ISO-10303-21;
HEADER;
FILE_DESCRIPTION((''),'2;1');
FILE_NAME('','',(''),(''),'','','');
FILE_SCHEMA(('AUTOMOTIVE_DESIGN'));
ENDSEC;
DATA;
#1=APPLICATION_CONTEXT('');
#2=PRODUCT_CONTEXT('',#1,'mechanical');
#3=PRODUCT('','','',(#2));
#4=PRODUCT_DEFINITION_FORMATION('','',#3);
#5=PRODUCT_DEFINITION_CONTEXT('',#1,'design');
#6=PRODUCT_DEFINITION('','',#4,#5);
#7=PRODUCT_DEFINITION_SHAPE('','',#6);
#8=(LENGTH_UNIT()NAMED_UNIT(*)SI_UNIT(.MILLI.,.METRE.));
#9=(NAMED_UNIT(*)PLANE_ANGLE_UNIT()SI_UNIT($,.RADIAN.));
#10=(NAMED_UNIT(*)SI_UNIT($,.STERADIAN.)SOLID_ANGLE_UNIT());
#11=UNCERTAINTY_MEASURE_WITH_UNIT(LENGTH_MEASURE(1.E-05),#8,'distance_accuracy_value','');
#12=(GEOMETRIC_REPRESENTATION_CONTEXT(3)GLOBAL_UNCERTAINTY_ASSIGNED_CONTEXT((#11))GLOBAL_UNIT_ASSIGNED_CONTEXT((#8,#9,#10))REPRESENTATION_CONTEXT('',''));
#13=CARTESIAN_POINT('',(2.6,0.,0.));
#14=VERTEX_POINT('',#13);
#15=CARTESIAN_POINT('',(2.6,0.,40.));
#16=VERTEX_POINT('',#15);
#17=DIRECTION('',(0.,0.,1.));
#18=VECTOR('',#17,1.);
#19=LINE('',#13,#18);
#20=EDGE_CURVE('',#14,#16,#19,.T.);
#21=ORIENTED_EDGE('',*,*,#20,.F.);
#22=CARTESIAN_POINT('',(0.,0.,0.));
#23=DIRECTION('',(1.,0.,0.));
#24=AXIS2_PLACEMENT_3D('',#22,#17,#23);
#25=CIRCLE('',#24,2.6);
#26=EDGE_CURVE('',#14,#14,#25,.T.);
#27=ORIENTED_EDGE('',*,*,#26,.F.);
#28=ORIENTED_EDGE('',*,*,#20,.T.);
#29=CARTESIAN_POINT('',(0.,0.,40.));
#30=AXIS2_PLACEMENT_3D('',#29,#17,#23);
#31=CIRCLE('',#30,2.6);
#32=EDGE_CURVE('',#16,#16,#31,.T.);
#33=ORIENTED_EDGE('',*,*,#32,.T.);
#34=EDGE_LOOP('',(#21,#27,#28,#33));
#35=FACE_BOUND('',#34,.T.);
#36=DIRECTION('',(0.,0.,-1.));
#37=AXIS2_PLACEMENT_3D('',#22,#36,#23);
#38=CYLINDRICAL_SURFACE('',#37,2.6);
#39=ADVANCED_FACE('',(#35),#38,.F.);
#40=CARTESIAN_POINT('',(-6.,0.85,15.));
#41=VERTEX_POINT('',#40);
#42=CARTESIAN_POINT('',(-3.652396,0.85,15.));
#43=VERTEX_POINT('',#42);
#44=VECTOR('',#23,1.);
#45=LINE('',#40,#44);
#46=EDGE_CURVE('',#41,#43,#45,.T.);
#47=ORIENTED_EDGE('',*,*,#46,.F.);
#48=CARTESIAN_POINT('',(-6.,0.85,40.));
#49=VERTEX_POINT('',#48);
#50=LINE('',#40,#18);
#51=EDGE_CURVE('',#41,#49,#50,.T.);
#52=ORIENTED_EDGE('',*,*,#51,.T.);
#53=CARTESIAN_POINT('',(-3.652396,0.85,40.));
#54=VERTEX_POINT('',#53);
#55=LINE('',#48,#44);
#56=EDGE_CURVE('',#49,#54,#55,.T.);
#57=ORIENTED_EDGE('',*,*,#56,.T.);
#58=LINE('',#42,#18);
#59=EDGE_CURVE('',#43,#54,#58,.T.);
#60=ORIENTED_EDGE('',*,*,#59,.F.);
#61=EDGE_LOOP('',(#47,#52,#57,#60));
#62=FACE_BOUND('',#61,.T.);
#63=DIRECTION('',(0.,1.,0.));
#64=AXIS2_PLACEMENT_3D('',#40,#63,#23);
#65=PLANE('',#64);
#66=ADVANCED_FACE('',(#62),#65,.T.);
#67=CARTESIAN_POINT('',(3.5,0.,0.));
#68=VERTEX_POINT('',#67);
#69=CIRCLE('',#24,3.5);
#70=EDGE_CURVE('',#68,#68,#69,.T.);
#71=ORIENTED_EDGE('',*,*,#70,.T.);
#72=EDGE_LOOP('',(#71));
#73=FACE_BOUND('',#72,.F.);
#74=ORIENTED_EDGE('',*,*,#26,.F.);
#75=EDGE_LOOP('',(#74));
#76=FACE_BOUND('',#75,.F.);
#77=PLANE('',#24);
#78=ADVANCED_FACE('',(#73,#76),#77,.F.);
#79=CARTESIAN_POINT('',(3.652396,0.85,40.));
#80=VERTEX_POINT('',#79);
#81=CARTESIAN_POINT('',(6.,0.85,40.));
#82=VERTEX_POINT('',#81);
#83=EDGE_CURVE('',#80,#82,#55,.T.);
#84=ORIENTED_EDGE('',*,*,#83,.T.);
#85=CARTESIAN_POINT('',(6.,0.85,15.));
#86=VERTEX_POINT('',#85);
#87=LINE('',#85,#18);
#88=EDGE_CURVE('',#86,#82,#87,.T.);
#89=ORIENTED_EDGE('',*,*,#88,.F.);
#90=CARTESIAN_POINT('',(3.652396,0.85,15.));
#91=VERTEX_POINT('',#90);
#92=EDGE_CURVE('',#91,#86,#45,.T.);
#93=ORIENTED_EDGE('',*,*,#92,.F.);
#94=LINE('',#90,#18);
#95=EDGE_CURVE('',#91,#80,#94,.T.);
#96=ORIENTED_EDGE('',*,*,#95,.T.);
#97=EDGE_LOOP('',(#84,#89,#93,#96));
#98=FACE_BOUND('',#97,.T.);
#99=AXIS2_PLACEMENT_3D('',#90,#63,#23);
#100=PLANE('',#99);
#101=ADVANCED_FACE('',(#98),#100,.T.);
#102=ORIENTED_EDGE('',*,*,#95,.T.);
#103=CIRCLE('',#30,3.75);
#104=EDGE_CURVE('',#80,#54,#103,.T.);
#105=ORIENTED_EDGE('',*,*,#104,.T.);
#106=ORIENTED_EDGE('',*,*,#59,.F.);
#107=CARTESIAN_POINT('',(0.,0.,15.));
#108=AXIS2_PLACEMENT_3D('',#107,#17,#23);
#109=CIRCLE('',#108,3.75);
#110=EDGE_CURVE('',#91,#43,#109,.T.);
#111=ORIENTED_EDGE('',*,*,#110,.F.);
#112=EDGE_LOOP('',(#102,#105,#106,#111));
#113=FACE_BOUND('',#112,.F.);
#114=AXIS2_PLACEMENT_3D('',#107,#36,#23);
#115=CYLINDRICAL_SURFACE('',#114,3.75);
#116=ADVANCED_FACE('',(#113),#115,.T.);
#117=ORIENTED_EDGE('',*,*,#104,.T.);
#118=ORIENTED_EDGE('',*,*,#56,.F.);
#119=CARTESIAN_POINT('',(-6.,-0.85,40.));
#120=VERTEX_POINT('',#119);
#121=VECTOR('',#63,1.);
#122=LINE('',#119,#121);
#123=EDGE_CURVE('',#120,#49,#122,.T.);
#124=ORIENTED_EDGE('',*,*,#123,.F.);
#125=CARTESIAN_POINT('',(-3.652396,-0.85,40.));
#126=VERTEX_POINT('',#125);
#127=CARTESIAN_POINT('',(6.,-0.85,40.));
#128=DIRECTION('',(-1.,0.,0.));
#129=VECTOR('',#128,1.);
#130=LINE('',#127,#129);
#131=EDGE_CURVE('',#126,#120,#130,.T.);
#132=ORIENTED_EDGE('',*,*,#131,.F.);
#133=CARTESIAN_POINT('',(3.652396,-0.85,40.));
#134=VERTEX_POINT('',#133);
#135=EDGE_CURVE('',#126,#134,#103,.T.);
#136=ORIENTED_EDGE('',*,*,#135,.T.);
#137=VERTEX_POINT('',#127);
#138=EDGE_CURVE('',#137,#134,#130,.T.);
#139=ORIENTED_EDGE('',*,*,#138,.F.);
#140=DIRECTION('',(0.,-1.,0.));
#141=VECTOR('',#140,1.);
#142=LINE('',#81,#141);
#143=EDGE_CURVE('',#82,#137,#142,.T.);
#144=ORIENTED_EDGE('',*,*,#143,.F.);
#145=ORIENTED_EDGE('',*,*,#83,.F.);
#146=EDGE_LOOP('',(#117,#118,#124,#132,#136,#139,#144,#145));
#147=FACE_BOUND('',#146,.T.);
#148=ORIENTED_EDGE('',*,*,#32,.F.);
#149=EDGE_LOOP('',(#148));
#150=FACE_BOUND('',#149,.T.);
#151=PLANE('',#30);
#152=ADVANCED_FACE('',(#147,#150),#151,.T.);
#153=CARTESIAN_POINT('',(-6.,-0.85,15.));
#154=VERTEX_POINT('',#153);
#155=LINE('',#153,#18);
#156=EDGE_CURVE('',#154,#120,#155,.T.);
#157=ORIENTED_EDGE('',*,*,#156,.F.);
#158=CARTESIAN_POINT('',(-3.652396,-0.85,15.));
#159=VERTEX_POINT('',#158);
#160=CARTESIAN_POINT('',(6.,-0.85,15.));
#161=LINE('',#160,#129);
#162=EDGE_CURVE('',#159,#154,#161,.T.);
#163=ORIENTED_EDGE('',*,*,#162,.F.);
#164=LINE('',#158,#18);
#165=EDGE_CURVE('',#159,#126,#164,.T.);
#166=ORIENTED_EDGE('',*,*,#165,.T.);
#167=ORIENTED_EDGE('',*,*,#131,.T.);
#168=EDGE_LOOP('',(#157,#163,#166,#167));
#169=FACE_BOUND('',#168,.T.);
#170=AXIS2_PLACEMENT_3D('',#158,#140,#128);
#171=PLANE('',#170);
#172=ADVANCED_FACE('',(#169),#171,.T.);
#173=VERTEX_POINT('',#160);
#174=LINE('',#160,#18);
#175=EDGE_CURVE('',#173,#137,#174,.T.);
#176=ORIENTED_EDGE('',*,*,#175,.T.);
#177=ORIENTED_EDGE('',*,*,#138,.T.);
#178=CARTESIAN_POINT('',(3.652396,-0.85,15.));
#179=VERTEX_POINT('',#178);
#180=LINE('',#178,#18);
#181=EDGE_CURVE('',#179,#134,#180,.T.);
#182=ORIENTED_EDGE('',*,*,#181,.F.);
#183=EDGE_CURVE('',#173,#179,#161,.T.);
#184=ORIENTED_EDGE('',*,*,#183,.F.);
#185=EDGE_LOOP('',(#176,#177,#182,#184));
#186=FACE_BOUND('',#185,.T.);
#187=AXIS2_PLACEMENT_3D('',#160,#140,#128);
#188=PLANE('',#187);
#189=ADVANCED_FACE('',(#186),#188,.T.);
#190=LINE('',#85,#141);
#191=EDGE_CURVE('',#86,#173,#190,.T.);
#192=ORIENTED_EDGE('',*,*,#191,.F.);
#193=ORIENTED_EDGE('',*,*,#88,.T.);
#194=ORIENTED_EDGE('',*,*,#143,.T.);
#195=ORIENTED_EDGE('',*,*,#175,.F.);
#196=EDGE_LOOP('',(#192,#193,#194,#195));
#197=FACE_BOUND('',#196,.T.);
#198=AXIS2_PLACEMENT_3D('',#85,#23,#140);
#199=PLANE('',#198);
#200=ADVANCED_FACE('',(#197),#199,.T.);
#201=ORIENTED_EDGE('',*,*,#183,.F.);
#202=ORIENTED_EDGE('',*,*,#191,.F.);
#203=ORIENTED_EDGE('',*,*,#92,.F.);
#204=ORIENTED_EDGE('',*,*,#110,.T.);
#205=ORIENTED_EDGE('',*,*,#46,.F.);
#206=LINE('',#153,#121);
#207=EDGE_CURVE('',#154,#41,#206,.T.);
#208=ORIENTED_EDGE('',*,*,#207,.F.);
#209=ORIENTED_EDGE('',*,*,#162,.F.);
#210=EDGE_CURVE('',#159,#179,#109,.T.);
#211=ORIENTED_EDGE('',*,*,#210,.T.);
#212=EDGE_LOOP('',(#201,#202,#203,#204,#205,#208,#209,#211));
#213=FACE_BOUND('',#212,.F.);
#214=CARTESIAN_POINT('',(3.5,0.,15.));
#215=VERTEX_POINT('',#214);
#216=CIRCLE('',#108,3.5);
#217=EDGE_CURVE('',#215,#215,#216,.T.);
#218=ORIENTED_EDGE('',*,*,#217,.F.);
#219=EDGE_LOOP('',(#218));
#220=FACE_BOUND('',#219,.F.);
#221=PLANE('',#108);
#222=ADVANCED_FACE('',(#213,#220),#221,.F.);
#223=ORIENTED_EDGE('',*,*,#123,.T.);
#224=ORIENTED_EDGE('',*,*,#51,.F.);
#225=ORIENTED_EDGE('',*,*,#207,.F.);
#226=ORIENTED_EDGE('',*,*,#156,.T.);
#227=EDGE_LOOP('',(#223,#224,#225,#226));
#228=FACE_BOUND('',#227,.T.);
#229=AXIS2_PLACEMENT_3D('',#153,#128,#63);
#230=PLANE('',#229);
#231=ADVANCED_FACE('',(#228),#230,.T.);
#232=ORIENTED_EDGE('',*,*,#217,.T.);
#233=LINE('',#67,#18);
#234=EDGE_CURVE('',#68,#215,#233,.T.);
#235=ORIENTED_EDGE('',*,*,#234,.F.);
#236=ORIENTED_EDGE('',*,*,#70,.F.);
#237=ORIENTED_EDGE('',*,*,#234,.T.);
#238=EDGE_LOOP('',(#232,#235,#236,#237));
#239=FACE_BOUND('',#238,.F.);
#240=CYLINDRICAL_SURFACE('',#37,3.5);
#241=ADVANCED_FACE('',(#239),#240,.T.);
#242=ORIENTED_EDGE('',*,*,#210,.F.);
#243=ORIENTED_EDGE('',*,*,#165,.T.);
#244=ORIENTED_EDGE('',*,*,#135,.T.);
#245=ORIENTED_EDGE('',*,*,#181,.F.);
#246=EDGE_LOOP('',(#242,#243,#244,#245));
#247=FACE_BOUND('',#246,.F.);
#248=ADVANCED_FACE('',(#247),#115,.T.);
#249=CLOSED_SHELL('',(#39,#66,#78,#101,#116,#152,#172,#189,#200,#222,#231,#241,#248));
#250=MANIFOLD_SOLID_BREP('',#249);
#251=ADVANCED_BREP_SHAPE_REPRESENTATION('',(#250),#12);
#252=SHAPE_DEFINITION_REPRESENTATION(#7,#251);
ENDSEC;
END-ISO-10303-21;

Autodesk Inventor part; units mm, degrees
ref_plane "YZ Plane" through (0, 0, 0) normal (1, 0, 0) x (0, 1, 0)
ref_plane "XZ Plane" through (0, 0, 0) normal (0, 1, 0) x (-1, 0, 0)
ref_plane "XY Plane" through (0, 0, 0) normal (0, 0, 1) x (1, 0, 0)
sketch "Sketch1" plane through (0, 0, 0) normal (0, 0, 1) x (1, 0, 0)
  circle A0 centre (0, 0) radius 2.6
  circle A1 centre (0, 0) radius 3.5
  dimension "d0" = 5.2
  dimension "d1" = 7
extrude "Extrusion1" add sketch "Sketch1" along normal blind 15
sketch "Sketch2" plane through (0, 0, 15) normal (0, 0, 1) x (1, 0, 0)
  circle A0 centre (0, 0) radius 2.6 projected
  circle A1 centre (0, 0) radius 3.75
  line L0 (-6, 0.85) -> (6, 0.85)
  line L1 (6, 0.85) -> (6, -0.85)
  line L2 (6, -0.85) -> (-6, -0.85)
  line L3 (-6, -0.85) -> (-6, 0.85)
  line L4 (-6, 0.85) -> (6, -0.85) construction
  line L5 (6, 0.85) -> (-6, -0.85) construction
  point P0 (-3.6524, 0.85)
  point P1 (-3.6524, -0.85)
  point P2 (3.6524, -0.85)
  point P3 (3.6524, 0.85)
  dimension "d4" = 7.5
  dimension "d5" = 12
  dimension "d6" = 1.7
extrude "Extrusion2" add sketch "Sketch2" along normal blind 25 contours A0 L0 A1 L2 | A0 L0 A1 | L2 A1 A0 | A0 L2 A1 L0 | L0 L1 L2 A1 | A1 L2 L3 L0
sketch "Sketch3" plane through (0, 0, 0) normal (0, 0, -1) x (-1, 0, 0)
  point P0 (0, 0)
properties part number "final pin_3DPrint"
